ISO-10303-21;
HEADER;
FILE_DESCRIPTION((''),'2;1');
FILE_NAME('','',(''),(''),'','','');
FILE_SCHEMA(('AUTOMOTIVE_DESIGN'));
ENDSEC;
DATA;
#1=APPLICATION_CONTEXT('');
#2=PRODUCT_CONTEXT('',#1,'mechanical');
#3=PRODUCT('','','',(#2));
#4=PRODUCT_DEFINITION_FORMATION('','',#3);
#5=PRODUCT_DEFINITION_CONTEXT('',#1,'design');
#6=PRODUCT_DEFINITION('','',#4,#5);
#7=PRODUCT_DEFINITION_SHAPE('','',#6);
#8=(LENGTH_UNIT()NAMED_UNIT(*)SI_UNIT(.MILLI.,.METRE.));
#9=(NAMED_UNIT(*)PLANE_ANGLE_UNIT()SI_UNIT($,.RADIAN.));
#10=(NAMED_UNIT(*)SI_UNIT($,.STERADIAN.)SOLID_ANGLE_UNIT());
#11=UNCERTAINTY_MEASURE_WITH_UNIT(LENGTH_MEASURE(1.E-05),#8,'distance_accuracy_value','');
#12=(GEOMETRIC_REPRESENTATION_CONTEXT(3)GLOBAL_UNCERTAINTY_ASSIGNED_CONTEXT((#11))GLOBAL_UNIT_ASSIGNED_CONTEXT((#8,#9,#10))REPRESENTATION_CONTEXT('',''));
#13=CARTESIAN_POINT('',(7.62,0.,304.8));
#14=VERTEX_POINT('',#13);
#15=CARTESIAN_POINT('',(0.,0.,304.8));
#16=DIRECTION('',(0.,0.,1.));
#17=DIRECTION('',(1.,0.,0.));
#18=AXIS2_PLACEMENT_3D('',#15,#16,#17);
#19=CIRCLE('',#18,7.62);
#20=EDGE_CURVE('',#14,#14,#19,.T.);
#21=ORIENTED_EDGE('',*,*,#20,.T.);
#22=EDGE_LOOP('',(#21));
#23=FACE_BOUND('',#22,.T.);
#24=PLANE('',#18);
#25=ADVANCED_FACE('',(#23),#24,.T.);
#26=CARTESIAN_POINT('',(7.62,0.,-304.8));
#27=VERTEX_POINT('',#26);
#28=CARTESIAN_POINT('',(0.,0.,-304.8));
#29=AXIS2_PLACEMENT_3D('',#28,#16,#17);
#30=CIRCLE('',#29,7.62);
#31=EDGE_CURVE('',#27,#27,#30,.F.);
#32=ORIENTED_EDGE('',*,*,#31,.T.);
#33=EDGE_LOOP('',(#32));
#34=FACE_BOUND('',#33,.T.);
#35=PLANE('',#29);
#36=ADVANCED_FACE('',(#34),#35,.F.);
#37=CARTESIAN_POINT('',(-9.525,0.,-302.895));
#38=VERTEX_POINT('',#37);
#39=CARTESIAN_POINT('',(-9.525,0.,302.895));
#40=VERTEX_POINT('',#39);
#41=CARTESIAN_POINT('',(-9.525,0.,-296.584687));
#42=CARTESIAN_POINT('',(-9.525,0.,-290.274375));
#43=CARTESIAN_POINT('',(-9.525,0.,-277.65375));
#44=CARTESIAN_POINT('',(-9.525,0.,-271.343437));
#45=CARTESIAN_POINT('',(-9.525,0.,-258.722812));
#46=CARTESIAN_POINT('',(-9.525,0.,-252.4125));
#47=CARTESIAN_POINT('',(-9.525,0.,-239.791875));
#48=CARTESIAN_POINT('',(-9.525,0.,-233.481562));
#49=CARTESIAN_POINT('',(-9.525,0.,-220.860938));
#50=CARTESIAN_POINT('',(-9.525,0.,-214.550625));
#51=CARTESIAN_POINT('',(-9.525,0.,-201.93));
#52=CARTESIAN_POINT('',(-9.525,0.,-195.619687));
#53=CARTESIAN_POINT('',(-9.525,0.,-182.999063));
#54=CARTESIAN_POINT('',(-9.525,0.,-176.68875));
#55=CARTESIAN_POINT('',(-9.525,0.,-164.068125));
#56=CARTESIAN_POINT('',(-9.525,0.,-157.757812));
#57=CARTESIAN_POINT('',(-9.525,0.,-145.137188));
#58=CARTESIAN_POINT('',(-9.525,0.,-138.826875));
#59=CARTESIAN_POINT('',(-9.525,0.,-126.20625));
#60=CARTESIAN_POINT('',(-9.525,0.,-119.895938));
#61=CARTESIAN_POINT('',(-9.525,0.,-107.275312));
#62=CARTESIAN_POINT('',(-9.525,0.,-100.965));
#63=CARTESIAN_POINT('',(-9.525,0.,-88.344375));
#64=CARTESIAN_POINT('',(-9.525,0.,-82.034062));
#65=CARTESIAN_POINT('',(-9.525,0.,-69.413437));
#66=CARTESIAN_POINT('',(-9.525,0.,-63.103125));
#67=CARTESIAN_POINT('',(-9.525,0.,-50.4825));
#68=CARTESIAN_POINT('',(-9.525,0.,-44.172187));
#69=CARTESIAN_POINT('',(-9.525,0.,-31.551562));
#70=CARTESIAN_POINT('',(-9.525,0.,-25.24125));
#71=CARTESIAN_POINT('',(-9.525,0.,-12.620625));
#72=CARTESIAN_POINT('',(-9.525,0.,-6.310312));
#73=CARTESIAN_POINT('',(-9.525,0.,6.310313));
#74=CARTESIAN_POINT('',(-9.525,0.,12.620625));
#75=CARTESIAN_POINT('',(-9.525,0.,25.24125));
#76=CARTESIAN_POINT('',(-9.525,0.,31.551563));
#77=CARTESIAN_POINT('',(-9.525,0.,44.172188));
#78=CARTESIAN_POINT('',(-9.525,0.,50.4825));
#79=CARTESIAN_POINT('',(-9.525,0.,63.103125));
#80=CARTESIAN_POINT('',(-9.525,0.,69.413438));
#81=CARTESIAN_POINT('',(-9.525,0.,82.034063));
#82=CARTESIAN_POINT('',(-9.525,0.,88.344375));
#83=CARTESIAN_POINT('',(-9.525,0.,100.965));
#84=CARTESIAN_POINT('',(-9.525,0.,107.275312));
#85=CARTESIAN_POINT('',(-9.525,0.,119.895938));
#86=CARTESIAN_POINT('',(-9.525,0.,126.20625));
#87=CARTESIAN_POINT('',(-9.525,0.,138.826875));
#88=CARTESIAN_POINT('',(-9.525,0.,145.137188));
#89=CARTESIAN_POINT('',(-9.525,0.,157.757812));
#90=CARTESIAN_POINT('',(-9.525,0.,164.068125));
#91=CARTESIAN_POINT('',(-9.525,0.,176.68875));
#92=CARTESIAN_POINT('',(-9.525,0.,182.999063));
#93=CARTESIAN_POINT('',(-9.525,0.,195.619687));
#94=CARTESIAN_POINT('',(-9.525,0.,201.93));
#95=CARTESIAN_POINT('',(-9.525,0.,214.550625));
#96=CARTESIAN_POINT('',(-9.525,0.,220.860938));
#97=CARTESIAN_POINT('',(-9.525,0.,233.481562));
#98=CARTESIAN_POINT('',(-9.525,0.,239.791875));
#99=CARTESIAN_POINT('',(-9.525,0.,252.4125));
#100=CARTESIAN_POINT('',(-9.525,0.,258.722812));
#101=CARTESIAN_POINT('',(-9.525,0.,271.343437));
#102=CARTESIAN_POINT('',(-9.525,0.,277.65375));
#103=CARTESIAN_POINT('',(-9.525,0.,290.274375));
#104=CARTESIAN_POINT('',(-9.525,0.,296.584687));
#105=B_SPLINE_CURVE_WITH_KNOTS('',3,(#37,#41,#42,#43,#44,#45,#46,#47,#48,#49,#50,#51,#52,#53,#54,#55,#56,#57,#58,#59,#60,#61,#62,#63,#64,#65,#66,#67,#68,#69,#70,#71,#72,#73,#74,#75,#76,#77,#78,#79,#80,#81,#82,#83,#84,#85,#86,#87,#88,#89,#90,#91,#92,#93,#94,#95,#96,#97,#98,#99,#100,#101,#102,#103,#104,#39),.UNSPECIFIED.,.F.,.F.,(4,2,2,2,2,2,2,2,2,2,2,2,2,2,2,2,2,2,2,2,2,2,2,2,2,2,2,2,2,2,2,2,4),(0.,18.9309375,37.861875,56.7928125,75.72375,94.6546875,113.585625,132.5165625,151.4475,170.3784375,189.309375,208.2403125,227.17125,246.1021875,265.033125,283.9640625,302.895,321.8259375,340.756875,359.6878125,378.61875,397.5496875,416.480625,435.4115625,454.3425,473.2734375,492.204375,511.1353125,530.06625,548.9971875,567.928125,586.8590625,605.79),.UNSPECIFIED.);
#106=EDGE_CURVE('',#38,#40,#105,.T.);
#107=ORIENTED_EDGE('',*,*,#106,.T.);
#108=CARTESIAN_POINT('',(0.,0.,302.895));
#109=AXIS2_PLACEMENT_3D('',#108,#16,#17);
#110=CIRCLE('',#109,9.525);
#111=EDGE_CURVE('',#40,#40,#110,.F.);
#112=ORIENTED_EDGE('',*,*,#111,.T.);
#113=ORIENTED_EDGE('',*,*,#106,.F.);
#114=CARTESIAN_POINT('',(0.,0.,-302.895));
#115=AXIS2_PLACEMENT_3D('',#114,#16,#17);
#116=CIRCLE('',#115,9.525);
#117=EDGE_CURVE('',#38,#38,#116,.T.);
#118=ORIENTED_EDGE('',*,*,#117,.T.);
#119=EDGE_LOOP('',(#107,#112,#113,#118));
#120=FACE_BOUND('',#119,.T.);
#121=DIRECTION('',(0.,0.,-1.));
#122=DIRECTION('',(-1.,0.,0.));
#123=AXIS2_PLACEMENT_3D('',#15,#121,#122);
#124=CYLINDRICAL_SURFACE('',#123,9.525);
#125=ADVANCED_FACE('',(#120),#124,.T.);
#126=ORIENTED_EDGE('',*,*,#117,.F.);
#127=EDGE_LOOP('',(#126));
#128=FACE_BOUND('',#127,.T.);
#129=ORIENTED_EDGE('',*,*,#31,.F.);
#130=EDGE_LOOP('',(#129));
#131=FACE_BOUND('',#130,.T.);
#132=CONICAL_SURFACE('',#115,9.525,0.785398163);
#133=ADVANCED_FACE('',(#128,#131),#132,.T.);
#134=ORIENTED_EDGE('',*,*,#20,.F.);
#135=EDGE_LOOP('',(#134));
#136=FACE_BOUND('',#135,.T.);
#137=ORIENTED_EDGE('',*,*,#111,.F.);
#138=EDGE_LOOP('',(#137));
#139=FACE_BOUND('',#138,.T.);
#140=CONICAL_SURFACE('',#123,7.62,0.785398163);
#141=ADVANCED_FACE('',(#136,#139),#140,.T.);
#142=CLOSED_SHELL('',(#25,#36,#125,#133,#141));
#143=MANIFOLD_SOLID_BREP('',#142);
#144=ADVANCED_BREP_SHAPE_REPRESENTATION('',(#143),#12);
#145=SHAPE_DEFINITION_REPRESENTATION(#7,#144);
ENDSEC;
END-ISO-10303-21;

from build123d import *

# Parameters (mm, degrees)
SKETCH1_R      = 9.525
EXTRUDE1_DEPTH = 304.8
CHAMFER1_SIZE  = 1.905


with BuildPart() as part:
    # Sketch1 → Extrude1 (new, symmetric)
    with BuildSketch(Plane.XY):
        with Locations(Location((0, 0, 0), (0, 0, 180))):
            Circle(SKETCH1_R)
    extrude(amount=EXTRUDE1_DEPTH, both=True)

    # Chamfer1
    chamfer1_edges = [part.edges().sort_by_distance(p)[0] for p in [
        (9.525, 0, -304.8),
        (9.525, 0, 304.8),
    ]]
    chamfer(chamfer1_edges, length=CHAMFER1_SIZE)


solid = part.part
